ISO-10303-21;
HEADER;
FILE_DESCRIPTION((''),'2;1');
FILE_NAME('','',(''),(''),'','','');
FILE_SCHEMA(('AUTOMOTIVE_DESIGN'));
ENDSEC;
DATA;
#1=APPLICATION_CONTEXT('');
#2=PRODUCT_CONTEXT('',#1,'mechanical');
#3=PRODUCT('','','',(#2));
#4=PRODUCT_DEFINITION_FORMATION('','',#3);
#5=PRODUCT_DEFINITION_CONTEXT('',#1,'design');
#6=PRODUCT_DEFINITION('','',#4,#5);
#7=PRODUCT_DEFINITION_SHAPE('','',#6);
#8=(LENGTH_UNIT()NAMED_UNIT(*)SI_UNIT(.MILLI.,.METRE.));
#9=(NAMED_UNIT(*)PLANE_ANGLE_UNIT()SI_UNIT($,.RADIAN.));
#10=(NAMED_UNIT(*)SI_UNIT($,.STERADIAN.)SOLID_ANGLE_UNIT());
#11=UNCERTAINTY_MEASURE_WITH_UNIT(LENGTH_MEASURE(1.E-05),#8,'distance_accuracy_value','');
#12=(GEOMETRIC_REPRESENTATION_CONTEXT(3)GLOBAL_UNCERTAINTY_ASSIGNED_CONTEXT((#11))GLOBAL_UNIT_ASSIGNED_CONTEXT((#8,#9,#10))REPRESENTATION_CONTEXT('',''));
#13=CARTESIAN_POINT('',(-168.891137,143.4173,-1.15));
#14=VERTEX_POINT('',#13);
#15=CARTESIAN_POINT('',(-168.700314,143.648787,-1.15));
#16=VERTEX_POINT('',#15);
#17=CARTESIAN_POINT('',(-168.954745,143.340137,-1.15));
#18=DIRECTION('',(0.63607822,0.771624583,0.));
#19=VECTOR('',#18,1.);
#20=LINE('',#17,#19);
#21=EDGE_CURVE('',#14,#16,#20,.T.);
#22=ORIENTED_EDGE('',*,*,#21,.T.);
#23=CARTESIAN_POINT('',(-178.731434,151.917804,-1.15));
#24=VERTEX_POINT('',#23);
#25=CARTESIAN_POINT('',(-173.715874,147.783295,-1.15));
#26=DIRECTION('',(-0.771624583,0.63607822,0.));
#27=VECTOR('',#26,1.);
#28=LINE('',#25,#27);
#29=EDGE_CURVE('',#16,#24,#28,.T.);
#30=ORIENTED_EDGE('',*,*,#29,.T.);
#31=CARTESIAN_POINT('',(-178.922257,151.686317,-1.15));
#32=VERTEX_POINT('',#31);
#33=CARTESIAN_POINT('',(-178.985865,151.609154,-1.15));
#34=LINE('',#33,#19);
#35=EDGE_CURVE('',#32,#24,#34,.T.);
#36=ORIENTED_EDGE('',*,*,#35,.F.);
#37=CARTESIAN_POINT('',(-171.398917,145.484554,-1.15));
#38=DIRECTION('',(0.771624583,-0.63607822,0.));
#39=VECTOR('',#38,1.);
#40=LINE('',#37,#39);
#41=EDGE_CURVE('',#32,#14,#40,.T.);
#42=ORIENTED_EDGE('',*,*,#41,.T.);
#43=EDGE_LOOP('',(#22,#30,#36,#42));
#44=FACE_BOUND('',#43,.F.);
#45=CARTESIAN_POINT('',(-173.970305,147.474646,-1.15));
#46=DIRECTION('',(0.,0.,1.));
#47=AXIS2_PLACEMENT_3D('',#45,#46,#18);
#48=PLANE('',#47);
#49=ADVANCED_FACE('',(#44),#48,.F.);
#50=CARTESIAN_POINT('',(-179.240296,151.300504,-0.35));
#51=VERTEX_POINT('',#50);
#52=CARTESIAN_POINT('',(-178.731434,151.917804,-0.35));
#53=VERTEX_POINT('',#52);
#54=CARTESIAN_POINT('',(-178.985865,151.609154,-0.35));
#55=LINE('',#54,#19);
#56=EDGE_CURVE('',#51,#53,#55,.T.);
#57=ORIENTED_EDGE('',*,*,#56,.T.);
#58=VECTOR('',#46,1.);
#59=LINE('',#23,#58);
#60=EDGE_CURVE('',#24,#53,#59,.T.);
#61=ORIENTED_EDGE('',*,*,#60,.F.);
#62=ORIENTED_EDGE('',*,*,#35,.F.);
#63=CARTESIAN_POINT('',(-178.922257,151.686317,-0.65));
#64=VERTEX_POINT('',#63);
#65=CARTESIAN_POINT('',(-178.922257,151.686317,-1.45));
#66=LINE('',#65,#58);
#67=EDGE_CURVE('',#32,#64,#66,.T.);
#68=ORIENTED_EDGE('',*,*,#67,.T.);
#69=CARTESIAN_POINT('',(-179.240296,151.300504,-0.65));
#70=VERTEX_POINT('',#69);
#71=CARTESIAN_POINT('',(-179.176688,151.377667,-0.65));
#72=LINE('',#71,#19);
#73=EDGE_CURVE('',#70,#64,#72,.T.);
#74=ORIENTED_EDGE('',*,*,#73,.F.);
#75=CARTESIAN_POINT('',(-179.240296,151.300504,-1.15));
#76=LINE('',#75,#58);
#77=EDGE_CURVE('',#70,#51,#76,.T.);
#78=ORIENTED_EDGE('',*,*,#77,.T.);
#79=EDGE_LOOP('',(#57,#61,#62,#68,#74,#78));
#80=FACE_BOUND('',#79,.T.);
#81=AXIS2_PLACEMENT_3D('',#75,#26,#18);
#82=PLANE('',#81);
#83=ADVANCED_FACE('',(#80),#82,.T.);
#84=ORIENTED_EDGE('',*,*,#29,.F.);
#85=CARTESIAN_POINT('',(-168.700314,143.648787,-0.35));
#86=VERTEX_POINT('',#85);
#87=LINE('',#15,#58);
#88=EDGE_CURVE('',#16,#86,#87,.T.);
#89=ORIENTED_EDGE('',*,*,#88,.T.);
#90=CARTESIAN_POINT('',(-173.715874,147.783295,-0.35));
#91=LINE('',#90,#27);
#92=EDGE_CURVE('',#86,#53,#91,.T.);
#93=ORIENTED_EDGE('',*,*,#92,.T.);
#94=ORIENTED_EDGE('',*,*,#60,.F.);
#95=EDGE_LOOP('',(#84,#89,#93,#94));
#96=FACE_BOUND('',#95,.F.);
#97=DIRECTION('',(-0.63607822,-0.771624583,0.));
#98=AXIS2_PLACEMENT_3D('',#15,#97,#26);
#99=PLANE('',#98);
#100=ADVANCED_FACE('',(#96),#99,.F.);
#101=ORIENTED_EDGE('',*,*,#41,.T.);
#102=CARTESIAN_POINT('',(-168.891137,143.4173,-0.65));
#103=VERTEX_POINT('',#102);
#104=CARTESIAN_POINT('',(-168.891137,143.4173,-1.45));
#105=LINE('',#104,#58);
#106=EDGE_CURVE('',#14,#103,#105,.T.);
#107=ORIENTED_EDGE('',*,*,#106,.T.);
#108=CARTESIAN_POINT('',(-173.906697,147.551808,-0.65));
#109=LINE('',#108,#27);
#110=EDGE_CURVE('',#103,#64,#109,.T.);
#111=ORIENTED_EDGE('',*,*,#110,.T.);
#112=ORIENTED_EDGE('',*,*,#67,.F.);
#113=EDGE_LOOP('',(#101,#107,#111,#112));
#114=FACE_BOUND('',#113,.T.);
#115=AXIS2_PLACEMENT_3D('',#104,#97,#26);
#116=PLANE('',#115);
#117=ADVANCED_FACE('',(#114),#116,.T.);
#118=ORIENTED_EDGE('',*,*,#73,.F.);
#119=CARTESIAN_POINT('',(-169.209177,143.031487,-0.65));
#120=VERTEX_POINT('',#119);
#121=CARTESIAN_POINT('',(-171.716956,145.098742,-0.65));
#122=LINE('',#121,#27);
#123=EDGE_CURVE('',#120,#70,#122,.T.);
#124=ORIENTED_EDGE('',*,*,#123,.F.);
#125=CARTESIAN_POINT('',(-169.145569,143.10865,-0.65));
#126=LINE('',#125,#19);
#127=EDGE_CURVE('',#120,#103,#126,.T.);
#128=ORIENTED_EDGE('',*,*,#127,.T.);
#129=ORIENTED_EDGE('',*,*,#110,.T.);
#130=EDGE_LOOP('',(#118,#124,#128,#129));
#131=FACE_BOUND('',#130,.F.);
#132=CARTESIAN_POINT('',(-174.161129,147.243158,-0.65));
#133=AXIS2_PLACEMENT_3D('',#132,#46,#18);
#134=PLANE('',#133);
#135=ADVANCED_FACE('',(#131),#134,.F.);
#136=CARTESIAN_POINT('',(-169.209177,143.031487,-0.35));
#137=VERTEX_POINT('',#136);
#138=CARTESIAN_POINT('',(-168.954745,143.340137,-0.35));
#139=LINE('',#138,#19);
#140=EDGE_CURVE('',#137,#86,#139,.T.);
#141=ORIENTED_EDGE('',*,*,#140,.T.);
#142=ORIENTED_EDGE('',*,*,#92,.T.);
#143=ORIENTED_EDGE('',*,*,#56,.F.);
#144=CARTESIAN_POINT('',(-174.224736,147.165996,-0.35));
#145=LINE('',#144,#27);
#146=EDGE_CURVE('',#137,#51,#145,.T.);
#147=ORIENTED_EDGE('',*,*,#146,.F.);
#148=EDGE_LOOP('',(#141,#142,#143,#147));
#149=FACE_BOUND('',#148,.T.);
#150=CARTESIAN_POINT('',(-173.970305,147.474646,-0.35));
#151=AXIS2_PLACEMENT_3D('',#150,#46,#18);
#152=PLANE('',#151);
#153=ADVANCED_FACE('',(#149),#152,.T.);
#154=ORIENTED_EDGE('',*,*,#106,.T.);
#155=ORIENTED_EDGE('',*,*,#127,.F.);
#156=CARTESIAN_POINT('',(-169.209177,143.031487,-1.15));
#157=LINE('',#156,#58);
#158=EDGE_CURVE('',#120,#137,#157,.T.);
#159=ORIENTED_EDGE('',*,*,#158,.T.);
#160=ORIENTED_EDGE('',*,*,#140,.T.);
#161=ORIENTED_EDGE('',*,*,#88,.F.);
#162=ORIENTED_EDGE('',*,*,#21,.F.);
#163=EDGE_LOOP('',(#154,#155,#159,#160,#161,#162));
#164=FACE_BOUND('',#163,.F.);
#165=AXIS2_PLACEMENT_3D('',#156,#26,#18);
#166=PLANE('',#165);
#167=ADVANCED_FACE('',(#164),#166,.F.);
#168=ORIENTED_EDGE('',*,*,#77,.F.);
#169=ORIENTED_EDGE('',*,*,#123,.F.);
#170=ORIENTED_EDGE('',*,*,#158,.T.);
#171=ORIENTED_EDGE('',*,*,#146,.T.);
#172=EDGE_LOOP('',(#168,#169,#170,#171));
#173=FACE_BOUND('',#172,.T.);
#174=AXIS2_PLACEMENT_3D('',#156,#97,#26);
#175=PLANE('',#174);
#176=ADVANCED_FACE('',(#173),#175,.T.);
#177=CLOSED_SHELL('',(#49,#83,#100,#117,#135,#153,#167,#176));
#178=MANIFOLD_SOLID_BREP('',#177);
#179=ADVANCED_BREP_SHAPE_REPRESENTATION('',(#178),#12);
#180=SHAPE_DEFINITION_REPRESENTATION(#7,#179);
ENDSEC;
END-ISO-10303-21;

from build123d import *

# Parameters (mm, degrees)
BOX129_W               = 0.8
BOX129_H               = 13
BOX129_DEPTH           = 0.8
BOX130_W               = 0.8
BOX130_H               = 13
BOX130_DEPTH           = 0.8
CUT068_PLACEMENT_ANGLE = 50.5


with BuildPart() as cubo129:
    # Box129 → Box129 (new body)
    with BuildSketch(Plane.XY):
        with Locations((0.4, 6.5)):
            Rectangle(BOX129_W, BOX129_H)
    extrude(amount=BOX129_DEPTH)


with BuildPart() as perfil_l_2da_cara010:
    # Box130 → Box130 (new body)
    with BuildSketch(Plane(origin=(0.3, 0, 0.3), x_dir=(1, 0, 0), z_dir=(0, 0, 1))):
        with Locations((0.4, 6.5)):
            Rectangle(BOX130_W, BOX130_H)
    extrude(amount=BOX130_DEPTH)

    # Cut068: cut Cubo129
    add(cubo129.part, mode=Mode.SUBTRACT)


with BuildPart() as perfil_l_2da_cara010_1:
    # Cut068 placement: moved
    add(perfil_l_2da_cara010.part.moved(Location((-169.4, 142.8, -1.45))).rotate(Axis((-169.4, 142.8, -1.45), (0, 0, 1)), CUT068_PLACEMENT_ANGLE))


solid = perfil_l_2da_cara010_1.part
